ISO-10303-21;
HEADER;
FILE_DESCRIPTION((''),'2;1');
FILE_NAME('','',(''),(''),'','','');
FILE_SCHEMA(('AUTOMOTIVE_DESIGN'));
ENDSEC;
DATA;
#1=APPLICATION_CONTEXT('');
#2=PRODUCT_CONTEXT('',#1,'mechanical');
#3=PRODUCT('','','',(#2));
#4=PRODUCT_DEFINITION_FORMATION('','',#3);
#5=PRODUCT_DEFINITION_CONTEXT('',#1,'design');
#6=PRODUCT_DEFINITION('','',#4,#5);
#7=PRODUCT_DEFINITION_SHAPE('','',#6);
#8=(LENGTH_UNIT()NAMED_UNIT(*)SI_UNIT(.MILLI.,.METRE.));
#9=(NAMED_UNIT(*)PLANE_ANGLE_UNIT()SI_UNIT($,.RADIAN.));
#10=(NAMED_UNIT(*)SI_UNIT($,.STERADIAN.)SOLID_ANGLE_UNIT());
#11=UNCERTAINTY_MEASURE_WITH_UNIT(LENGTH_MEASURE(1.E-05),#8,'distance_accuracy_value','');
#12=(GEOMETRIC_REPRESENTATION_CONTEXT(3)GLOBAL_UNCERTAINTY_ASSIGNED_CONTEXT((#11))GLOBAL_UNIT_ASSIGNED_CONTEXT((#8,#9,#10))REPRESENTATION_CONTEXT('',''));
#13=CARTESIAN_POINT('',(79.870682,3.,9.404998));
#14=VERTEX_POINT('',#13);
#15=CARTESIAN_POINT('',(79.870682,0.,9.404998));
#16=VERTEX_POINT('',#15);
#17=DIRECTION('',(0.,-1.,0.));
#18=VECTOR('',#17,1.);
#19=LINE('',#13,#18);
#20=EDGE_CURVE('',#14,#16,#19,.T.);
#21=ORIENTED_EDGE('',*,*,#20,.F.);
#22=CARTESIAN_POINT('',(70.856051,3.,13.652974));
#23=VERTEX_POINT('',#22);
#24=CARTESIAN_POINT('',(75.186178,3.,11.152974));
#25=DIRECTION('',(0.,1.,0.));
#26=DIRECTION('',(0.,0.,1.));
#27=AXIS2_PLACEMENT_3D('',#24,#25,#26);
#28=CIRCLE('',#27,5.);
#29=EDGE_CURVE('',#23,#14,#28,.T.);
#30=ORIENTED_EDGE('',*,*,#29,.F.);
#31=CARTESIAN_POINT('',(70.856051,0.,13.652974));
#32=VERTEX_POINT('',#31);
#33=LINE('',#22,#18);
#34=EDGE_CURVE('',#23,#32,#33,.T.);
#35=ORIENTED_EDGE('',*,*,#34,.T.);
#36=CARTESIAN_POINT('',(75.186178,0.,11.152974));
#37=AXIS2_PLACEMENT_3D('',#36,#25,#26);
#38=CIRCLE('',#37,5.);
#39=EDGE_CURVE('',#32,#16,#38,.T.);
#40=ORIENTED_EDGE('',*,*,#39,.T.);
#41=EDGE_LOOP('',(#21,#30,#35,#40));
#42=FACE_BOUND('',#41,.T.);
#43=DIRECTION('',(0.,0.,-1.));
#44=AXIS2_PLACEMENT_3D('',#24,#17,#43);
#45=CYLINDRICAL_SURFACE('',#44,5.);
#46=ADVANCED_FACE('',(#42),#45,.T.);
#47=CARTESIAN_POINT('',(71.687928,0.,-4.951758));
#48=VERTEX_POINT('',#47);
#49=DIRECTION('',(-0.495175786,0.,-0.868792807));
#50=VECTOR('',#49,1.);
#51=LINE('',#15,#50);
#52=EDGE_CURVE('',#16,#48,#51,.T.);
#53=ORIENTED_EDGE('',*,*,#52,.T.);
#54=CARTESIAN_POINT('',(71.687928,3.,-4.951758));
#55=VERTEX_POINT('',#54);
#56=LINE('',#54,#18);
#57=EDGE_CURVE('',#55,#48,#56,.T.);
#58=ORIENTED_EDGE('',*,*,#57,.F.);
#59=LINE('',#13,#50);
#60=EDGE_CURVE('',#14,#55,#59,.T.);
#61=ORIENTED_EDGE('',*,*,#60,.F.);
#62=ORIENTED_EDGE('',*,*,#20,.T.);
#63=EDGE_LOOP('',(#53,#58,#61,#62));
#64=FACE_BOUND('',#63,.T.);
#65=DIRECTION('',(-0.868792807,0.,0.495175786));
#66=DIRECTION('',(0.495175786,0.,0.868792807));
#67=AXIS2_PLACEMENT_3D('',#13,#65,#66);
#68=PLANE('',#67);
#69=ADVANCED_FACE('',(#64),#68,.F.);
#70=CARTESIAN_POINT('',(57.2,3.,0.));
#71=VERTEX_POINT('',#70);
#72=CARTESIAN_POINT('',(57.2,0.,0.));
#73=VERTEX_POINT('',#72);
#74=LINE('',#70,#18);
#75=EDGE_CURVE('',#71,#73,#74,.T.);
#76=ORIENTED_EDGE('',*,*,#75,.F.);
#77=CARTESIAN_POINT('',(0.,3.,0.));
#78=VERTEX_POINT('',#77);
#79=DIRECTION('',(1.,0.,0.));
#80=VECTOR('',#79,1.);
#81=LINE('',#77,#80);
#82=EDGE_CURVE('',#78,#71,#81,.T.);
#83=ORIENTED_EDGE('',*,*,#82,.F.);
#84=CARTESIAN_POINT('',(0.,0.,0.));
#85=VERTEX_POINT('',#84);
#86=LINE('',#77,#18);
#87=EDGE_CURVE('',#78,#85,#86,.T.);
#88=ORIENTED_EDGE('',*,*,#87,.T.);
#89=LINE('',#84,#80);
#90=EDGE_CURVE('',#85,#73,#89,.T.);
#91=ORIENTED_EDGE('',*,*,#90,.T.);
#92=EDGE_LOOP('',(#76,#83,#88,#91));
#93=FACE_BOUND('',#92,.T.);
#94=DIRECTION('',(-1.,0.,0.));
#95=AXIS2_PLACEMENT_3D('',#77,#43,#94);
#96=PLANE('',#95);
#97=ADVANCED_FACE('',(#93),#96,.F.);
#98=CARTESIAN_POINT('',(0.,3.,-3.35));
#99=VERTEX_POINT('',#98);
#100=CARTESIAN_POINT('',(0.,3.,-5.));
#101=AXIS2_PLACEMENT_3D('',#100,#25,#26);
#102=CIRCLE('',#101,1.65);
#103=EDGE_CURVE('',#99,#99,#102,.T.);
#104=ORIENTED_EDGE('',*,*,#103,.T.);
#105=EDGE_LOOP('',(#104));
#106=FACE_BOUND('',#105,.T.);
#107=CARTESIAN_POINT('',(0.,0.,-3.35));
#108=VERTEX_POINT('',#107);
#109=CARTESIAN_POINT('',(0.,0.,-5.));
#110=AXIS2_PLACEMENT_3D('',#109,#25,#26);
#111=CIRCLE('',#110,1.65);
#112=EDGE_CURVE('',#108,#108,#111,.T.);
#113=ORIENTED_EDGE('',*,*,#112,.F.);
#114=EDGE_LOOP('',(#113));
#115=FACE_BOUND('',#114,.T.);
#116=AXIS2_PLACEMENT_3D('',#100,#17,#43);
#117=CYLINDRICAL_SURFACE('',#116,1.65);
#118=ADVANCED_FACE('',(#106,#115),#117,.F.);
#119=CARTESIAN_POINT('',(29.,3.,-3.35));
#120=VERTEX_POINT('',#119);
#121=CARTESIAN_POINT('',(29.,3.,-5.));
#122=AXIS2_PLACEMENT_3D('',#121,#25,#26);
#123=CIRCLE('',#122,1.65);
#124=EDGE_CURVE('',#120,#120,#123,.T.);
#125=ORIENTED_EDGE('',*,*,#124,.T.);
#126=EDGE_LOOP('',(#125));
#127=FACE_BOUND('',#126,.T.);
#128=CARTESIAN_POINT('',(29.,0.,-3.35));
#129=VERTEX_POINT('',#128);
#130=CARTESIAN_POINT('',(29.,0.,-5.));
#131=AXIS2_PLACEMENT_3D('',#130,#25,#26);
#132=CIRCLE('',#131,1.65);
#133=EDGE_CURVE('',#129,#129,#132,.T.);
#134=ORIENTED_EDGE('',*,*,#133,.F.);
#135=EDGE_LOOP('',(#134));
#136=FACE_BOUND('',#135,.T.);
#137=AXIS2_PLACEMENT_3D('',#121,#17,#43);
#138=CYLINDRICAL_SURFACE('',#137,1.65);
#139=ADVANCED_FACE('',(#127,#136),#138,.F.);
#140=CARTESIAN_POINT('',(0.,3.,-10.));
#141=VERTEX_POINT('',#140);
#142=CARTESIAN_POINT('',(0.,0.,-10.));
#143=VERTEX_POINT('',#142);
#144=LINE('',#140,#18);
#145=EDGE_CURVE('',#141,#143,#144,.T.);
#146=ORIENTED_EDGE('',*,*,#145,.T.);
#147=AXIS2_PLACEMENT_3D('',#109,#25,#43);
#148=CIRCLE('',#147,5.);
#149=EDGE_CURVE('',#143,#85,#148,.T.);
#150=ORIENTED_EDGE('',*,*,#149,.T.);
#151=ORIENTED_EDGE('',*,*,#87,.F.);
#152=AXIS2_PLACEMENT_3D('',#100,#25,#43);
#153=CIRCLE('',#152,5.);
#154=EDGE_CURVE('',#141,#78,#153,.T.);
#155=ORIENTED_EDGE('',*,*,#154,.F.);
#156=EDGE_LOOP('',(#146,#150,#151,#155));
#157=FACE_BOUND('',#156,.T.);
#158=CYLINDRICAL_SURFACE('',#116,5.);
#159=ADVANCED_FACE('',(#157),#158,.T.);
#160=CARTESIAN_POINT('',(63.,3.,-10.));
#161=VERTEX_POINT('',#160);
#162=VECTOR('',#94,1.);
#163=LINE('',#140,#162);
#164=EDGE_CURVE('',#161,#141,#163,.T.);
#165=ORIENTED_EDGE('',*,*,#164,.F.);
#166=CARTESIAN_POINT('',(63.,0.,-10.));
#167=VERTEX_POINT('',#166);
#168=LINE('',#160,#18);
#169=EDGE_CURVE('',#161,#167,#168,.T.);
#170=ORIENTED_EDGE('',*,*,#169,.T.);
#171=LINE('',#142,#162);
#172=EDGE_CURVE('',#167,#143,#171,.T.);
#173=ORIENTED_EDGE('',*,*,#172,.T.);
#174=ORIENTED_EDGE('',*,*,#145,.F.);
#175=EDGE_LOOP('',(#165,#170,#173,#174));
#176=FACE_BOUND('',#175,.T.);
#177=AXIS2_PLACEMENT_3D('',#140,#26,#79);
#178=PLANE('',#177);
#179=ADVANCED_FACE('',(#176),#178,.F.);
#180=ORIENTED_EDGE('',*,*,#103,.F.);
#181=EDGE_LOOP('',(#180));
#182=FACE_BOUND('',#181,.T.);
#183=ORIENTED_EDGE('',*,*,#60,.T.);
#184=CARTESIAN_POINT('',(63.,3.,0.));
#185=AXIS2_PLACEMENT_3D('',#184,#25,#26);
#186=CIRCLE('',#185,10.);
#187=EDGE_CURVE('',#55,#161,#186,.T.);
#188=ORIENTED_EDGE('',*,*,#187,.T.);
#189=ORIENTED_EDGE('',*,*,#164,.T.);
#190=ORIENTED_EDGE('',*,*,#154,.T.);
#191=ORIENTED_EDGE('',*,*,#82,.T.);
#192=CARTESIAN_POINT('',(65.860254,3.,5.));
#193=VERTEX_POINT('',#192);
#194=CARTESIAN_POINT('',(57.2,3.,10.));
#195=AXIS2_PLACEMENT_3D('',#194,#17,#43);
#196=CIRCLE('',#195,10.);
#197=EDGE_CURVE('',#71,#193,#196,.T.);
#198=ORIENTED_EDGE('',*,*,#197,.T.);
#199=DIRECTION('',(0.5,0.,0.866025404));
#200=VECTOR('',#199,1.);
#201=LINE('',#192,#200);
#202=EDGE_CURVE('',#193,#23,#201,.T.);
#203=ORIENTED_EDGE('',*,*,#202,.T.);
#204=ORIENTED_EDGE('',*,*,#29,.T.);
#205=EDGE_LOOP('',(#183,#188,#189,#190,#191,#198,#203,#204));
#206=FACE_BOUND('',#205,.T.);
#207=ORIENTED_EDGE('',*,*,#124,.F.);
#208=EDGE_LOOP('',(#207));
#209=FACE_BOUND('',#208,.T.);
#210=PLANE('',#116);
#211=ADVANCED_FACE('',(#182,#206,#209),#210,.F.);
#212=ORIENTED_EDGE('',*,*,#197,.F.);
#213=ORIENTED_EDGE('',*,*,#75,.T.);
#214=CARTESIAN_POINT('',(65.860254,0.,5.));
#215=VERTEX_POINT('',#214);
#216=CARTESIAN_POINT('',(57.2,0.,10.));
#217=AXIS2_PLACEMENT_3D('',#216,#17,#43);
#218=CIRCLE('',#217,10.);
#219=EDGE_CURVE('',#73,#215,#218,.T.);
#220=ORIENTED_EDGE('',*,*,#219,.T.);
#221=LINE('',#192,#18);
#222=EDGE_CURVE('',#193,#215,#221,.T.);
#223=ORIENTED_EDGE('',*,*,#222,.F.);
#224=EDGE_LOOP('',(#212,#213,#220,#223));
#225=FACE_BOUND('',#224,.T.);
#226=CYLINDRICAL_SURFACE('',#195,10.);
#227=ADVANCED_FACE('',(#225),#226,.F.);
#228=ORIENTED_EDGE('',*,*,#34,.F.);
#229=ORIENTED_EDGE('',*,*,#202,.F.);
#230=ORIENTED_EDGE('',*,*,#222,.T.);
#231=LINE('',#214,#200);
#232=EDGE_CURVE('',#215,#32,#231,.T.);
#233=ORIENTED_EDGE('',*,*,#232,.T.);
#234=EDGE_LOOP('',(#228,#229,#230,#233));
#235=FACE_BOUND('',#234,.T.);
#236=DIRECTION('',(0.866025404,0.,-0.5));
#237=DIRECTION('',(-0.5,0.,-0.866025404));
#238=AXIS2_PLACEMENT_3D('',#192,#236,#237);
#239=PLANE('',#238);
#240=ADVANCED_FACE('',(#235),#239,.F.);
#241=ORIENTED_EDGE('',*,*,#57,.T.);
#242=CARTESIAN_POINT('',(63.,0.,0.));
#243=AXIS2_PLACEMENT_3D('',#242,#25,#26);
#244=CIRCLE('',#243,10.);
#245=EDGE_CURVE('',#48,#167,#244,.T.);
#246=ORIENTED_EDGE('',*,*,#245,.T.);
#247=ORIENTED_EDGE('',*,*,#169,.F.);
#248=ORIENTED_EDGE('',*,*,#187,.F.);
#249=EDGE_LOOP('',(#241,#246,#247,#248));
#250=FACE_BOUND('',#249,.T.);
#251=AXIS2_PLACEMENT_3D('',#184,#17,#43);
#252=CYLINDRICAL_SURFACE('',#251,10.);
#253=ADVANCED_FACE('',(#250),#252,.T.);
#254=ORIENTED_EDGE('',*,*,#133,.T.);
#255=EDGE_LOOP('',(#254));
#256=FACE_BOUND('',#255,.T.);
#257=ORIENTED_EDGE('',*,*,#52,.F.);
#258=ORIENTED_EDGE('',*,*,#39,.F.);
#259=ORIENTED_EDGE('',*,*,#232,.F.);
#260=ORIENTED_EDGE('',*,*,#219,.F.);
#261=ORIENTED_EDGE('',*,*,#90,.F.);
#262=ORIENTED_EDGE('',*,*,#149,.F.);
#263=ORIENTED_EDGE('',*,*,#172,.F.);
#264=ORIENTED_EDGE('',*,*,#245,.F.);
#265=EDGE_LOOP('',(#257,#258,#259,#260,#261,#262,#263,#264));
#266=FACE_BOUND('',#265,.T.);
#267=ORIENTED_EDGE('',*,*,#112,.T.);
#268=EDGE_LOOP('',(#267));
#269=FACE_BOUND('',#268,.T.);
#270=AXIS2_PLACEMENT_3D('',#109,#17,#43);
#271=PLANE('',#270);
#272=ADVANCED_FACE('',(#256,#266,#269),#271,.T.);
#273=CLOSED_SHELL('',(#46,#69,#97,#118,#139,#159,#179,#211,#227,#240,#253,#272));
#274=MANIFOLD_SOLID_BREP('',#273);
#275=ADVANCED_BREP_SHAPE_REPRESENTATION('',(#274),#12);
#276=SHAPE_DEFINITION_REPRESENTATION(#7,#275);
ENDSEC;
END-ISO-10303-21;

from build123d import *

# Parameters (mm, degrees)
SKETCH_1_R      = 1.65
EXTRUDE_1_DEPTH = 3


with BuildPart() as part:
    # 草图1 → 凸台-拉伸1 (new body)
    with BuildSketch(Plane(origin=(0, 0, 0), x_dir=(1, 0, 0), z_dir=(0, 1, 0))):
        with BuildLine():
            Line((0, 0), (57.2, 0))
            ThreePointArc((57.2, 0), (62.2, -1.339745962), (65.860254038, -5))
            Line((65.860254038, -5), (70.856051038, -13.652974229))
            ThreePointArc((70.856051038, -13.652974229), (77.317543945, -15.675946643), (79.870682341, -9.404998366))
            Line((79.870682341, -9.404998366), (71.687928066, 4.951757862))
            ThreePointArc((71.687928066, 4.951757862), (68.024063165, 8.646316517), (63, 10))
            Line((63, 10), (0, 10))
            ThreePointArc((0, 10), (-5, 5), (0, 0))
        make_face()
        with Locations(Location((0, 5, 0), (0, 0, 270))):
            Circle(SKETCH_1_R, mode=Mode.SUBTRACT)
        with Locations(Location((29, 5, 0), (0, 0, 270))):
            Circle(SKETCH_1_R, mode=Mode.SUBTRACT)
    extrude(amount=EXTRUDE_1_DEPTH)


solid = part.part
